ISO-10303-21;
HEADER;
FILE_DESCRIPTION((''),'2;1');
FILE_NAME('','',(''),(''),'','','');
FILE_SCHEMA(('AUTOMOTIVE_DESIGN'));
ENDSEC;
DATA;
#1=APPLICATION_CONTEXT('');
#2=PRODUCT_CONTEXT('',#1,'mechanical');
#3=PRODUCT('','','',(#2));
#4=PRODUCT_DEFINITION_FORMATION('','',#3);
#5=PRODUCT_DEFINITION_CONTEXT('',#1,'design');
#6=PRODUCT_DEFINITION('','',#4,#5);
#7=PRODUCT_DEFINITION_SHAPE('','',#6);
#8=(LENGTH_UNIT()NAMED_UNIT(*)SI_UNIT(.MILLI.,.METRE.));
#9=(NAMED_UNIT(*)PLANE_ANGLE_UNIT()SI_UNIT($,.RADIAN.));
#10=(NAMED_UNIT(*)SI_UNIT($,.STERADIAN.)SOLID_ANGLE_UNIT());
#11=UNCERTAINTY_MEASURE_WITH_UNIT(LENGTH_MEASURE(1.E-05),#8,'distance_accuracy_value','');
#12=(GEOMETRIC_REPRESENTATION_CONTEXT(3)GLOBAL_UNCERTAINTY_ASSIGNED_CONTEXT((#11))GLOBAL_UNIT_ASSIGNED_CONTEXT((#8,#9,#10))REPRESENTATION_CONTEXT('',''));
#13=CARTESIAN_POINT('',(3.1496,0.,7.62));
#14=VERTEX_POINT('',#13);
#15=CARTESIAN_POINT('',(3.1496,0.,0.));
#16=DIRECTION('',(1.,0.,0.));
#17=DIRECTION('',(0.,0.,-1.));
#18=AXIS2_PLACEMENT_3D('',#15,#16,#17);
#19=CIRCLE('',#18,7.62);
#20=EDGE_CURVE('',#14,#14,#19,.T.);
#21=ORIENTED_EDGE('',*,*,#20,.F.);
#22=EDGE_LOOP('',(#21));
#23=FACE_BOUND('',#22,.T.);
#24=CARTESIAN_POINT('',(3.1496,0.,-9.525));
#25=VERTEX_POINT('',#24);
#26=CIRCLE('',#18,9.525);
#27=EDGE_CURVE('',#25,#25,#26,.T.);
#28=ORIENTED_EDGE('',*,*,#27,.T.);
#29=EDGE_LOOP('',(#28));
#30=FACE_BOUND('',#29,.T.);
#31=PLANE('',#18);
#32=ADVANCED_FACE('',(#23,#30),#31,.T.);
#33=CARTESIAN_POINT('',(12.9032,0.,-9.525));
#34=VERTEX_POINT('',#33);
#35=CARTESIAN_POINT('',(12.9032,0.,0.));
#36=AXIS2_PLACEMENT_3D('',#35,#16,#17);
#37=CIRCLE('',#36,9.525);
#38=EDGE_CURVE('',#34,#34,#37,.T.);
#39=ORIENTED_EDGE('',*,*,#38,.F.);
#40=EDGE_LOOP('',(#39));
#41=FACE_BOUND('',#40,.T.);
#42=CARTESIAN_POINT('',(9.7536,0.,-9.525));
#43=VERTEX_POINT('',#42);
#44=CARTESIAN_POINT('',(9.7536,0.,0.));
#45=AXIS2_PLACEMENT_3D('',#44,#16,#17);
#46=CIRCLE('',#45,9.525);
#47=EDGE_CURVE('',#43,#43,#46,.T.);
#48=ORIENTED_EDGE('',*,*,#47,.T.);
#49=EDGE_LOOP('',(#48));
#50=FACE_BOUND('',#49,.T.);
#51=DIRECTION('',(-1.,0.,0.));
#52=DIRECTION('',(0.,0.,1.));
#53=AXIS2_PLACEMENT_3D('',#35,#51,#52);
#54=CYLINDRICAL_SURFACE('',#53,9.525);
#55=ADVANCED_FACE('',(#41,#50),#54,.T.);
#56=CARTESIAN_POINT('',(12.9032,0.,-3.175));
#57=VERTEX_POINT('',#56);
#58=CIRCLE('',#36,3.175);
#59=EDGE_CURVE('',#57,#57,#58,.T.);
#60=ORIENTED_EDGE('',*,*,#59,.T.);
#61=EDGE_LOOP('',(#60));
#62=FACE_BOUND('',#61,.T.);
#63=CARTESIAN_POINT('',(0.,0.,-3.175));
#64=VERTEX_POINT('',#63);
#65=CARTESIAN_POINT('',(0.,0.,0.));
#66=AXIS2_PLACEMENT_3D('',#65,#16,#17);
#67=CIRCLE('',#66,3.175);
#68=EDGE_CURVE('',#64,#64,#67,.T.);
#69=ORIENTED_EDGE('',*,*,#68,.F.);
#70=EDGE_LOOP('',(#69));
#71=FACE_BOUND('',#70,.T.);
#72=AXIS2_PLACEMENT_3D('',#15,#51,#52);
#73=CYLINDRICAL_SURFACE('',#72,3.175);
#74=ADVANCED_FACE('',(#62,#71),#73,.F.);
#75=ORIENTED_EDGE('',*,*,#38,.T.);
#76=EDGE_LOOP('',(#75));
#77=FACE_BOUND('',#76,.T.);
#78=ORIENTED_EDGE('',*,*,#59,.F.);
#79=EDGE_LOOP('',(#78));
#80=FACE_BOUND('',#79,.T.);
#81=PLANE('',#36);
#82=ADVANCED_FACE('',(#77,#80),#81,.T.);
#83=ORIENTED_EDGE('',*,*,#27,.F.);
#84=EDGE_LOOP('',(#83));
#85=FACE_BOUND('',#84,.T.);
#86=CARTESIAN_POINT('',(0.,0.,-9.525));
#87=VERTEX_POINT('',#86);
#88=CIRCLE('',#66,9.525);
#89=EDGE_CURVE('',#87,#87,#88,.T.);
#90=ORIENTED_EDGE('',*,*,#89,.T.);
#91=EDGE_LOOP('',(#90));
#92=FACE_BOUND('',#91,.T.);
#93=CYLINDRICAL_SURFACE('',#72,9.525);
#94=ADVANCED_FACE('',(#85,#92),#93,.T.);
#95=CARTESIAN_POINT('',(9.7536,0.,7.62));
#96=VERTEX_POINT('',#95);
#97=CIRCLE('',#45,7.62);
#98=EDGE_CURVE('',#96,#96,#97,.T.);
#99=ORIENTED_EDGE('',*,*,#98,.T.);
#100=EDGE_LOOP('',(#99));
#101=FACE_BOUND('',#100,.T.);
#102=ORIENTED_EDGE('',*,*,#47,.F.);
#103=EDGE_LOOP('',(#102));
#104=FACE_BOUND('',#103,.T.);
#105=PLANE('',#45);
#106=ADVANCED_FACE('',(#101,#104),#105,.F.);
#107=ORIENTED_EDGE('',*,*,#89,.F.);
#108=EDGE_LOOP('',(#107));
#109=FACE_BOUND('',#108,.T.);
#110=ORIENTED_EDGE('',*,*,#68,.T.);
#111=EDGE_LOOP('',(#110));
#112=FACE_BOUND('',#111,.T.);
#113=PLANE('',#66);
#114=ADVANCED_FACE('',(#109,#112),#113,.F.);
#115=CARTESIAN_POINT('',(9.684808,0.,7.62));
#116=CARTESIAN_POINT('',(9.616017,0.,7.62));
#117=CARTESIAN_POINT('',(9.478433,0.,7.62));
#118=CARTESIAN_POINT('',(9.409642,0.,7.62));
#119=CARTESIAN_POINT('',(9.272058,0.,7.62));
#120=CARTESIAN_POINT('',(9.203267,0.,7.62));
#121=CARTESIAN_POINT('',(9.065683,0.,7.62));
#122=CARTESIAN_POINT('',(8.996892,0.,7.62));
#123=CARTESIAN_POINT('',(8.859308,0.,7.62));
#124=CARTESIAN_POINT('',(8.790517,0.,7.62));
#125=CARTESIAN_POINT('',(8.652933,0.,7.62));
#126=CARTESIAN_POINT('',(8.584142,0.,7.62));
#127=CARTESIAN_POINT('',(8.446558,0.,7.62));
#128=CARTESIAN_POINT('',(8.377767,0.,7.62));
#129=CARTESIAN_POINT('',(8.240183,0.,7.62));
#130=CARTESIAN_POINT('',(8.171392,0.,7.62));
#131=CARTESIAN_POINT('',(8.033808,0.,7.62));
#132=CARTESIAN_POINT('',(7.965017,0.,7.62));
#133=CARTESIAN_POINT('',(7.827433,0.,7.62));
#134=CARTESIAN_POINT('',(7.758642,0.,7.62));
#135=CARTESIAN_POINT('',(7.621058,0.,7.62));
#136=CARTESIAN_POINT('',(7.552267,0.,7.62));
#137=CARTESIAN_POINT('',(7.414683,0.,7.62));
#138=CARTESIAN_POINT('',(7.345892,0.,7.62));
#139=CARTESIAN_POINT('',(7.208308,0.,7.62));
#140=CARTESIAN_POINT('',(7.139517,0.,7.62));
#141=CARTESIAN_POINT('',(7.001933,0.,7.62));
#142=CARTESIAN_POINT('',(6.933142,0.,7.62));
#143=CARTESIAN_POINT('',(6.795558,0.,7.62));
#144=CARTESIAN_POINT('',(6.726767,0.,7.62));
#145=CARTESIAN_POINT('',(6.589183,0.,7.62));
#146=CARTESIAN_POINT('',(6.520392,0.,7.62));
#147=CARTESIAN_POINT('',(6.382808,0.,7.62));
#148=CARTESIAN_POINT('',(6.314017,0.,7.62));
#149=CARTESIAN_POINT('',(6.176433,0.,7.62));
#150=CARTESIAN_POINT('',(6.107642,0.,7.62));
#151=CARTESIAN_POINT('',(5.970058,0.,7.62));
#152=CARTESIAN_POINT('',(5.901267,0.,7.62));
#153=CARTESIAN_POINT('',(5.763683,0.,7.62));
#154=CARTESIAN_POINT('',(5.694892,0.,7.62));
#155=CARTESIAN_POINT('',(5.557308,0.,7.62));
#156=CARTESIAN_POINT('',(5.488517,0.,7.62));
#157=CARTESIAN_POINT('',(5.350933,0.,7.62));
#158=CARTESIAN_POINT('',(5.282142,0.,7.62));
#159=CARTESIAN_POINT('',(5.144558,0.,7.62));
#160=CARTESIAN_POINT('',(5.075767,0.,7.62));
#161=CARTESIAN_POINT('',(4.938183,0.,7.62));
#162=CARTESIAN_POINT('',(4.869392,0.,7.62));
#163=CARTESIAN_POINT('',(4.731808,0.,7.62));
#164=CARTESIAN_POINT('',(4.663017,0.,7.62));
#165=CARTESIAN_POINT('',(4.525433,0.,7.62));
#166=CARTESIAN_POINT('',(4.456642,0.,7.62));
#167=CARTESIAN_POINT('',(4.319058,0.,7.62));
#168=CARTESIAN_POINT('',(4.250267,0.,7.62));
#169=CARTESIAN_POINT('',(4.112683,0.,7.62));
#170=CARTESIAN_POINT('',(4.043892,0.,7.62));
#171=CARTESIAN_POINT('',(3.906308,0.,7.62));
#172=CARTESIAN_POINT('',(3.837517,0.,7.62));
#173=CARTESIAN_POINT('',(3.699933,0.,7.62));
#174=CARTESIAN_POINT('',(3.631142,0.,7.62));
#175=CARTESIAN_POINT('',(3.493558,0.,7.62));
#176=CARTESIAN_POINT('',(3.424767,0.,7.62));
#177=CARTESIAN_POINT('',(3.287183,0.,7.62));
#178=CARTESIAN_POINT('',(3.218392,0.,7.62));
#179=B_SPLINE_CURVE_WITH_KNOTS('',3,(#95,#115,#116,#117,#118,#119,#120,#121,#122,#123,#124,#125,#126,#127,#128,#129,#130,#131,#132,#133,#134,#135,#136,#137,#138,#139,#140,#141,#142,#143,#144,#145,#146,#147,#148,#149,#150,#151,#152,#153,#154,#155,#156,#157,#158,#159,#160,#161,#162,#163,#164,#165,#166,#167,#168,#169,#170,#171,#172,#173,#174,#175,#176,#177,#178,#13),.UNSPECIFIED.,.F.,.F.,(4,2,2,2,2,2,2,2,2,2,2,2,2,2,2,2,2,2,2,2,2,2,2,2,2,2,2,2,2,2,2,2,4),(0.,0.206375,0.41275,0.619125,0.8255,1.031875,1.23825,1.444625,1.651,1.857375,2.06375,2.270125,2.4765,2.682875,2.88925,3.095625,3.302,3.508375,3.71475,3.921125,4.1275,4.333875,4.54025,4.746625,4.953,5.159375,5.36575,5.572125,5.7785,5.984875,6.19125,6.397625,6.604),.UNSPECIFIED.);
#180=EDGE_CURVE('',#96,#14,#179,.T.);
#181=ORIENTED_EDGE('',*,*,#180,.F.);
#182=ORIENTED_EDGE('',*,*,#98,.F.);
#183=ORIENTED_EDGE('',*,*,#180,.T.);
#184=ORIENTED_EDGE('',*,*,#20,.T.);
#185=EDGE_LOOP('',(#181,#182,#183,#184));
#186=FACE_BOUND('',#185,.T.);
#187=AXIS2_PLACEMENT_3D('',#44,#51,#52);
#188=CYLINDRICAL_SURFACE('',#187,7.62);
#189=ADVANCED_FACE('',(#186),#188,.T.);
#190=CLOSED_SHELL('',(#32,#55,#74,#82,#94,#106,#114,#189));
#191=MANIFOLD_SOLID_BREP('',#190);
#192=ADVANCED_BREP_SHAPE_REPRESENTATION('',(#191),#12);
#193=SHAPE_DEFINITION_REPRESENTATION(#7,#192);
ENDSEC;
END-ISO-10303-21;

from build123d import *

# Parameters (mm, degrees)
SKETCH1_R           = 9.525
SKETCH1_R_2         = 3.175
BOSS_EXTRUDE1_DEPTH = 3.1496
SKETCH2_R           = 7.62
SKETCH2_R_2         = 3.175
BOSS_EXTRUDE2_DEPTH = 6.604
SKETCH3_R           = 9.525
SKETCH3_R_2         = 3.175
BOSS_EXTRUDE3_DEPTH = 3.1496


with BuildPart() as part:
    # Sketch1 → Boss-Extrude1 (new body)
    with BuildSketch(Plane(origin=(0, 0, 0), x_dir=(0, 0, -1), z_dir=(1, 0, 0))):
        Circle(SKETCH1_R)
        Circle(SKETCH1_R_2, mode=Mode.SUBTRACT)
    extrude(amount=BOSS_EXTRUDE1_DEPTH)

    # Sketch2 → Boss-Extrude2 (add)
    with BuildSketch(Plane(origin=(3.1496, 0, 0), x_dir=(0, 0, -1), z_dir=(1, 0, 0))):
        with Locations(Location((0, 0, 0), (0, 0, 180))):
            Circle(SKETCH2_R)
        Circle(SKETCH2_R_2, mode=Mode.SUBTRACT)
    extrude(amount=BOSS_EXTRUDE2_DEPTH)

    # Sketch3 → Boss-Extrude3 (add)
    with BuildSketch(Plane(origin=(9.7536, 0, 0), x_dir=(0, 0, -1), z_dir=(1, 0, 0))):
        Circle(SKETCH3_R)
        Circle(SKETCH3_R_2, mode=Mode.SUBTRACT)
    extrude(amount=BOSS_EXTRUDE3_DEPTH)


solid = part.part
